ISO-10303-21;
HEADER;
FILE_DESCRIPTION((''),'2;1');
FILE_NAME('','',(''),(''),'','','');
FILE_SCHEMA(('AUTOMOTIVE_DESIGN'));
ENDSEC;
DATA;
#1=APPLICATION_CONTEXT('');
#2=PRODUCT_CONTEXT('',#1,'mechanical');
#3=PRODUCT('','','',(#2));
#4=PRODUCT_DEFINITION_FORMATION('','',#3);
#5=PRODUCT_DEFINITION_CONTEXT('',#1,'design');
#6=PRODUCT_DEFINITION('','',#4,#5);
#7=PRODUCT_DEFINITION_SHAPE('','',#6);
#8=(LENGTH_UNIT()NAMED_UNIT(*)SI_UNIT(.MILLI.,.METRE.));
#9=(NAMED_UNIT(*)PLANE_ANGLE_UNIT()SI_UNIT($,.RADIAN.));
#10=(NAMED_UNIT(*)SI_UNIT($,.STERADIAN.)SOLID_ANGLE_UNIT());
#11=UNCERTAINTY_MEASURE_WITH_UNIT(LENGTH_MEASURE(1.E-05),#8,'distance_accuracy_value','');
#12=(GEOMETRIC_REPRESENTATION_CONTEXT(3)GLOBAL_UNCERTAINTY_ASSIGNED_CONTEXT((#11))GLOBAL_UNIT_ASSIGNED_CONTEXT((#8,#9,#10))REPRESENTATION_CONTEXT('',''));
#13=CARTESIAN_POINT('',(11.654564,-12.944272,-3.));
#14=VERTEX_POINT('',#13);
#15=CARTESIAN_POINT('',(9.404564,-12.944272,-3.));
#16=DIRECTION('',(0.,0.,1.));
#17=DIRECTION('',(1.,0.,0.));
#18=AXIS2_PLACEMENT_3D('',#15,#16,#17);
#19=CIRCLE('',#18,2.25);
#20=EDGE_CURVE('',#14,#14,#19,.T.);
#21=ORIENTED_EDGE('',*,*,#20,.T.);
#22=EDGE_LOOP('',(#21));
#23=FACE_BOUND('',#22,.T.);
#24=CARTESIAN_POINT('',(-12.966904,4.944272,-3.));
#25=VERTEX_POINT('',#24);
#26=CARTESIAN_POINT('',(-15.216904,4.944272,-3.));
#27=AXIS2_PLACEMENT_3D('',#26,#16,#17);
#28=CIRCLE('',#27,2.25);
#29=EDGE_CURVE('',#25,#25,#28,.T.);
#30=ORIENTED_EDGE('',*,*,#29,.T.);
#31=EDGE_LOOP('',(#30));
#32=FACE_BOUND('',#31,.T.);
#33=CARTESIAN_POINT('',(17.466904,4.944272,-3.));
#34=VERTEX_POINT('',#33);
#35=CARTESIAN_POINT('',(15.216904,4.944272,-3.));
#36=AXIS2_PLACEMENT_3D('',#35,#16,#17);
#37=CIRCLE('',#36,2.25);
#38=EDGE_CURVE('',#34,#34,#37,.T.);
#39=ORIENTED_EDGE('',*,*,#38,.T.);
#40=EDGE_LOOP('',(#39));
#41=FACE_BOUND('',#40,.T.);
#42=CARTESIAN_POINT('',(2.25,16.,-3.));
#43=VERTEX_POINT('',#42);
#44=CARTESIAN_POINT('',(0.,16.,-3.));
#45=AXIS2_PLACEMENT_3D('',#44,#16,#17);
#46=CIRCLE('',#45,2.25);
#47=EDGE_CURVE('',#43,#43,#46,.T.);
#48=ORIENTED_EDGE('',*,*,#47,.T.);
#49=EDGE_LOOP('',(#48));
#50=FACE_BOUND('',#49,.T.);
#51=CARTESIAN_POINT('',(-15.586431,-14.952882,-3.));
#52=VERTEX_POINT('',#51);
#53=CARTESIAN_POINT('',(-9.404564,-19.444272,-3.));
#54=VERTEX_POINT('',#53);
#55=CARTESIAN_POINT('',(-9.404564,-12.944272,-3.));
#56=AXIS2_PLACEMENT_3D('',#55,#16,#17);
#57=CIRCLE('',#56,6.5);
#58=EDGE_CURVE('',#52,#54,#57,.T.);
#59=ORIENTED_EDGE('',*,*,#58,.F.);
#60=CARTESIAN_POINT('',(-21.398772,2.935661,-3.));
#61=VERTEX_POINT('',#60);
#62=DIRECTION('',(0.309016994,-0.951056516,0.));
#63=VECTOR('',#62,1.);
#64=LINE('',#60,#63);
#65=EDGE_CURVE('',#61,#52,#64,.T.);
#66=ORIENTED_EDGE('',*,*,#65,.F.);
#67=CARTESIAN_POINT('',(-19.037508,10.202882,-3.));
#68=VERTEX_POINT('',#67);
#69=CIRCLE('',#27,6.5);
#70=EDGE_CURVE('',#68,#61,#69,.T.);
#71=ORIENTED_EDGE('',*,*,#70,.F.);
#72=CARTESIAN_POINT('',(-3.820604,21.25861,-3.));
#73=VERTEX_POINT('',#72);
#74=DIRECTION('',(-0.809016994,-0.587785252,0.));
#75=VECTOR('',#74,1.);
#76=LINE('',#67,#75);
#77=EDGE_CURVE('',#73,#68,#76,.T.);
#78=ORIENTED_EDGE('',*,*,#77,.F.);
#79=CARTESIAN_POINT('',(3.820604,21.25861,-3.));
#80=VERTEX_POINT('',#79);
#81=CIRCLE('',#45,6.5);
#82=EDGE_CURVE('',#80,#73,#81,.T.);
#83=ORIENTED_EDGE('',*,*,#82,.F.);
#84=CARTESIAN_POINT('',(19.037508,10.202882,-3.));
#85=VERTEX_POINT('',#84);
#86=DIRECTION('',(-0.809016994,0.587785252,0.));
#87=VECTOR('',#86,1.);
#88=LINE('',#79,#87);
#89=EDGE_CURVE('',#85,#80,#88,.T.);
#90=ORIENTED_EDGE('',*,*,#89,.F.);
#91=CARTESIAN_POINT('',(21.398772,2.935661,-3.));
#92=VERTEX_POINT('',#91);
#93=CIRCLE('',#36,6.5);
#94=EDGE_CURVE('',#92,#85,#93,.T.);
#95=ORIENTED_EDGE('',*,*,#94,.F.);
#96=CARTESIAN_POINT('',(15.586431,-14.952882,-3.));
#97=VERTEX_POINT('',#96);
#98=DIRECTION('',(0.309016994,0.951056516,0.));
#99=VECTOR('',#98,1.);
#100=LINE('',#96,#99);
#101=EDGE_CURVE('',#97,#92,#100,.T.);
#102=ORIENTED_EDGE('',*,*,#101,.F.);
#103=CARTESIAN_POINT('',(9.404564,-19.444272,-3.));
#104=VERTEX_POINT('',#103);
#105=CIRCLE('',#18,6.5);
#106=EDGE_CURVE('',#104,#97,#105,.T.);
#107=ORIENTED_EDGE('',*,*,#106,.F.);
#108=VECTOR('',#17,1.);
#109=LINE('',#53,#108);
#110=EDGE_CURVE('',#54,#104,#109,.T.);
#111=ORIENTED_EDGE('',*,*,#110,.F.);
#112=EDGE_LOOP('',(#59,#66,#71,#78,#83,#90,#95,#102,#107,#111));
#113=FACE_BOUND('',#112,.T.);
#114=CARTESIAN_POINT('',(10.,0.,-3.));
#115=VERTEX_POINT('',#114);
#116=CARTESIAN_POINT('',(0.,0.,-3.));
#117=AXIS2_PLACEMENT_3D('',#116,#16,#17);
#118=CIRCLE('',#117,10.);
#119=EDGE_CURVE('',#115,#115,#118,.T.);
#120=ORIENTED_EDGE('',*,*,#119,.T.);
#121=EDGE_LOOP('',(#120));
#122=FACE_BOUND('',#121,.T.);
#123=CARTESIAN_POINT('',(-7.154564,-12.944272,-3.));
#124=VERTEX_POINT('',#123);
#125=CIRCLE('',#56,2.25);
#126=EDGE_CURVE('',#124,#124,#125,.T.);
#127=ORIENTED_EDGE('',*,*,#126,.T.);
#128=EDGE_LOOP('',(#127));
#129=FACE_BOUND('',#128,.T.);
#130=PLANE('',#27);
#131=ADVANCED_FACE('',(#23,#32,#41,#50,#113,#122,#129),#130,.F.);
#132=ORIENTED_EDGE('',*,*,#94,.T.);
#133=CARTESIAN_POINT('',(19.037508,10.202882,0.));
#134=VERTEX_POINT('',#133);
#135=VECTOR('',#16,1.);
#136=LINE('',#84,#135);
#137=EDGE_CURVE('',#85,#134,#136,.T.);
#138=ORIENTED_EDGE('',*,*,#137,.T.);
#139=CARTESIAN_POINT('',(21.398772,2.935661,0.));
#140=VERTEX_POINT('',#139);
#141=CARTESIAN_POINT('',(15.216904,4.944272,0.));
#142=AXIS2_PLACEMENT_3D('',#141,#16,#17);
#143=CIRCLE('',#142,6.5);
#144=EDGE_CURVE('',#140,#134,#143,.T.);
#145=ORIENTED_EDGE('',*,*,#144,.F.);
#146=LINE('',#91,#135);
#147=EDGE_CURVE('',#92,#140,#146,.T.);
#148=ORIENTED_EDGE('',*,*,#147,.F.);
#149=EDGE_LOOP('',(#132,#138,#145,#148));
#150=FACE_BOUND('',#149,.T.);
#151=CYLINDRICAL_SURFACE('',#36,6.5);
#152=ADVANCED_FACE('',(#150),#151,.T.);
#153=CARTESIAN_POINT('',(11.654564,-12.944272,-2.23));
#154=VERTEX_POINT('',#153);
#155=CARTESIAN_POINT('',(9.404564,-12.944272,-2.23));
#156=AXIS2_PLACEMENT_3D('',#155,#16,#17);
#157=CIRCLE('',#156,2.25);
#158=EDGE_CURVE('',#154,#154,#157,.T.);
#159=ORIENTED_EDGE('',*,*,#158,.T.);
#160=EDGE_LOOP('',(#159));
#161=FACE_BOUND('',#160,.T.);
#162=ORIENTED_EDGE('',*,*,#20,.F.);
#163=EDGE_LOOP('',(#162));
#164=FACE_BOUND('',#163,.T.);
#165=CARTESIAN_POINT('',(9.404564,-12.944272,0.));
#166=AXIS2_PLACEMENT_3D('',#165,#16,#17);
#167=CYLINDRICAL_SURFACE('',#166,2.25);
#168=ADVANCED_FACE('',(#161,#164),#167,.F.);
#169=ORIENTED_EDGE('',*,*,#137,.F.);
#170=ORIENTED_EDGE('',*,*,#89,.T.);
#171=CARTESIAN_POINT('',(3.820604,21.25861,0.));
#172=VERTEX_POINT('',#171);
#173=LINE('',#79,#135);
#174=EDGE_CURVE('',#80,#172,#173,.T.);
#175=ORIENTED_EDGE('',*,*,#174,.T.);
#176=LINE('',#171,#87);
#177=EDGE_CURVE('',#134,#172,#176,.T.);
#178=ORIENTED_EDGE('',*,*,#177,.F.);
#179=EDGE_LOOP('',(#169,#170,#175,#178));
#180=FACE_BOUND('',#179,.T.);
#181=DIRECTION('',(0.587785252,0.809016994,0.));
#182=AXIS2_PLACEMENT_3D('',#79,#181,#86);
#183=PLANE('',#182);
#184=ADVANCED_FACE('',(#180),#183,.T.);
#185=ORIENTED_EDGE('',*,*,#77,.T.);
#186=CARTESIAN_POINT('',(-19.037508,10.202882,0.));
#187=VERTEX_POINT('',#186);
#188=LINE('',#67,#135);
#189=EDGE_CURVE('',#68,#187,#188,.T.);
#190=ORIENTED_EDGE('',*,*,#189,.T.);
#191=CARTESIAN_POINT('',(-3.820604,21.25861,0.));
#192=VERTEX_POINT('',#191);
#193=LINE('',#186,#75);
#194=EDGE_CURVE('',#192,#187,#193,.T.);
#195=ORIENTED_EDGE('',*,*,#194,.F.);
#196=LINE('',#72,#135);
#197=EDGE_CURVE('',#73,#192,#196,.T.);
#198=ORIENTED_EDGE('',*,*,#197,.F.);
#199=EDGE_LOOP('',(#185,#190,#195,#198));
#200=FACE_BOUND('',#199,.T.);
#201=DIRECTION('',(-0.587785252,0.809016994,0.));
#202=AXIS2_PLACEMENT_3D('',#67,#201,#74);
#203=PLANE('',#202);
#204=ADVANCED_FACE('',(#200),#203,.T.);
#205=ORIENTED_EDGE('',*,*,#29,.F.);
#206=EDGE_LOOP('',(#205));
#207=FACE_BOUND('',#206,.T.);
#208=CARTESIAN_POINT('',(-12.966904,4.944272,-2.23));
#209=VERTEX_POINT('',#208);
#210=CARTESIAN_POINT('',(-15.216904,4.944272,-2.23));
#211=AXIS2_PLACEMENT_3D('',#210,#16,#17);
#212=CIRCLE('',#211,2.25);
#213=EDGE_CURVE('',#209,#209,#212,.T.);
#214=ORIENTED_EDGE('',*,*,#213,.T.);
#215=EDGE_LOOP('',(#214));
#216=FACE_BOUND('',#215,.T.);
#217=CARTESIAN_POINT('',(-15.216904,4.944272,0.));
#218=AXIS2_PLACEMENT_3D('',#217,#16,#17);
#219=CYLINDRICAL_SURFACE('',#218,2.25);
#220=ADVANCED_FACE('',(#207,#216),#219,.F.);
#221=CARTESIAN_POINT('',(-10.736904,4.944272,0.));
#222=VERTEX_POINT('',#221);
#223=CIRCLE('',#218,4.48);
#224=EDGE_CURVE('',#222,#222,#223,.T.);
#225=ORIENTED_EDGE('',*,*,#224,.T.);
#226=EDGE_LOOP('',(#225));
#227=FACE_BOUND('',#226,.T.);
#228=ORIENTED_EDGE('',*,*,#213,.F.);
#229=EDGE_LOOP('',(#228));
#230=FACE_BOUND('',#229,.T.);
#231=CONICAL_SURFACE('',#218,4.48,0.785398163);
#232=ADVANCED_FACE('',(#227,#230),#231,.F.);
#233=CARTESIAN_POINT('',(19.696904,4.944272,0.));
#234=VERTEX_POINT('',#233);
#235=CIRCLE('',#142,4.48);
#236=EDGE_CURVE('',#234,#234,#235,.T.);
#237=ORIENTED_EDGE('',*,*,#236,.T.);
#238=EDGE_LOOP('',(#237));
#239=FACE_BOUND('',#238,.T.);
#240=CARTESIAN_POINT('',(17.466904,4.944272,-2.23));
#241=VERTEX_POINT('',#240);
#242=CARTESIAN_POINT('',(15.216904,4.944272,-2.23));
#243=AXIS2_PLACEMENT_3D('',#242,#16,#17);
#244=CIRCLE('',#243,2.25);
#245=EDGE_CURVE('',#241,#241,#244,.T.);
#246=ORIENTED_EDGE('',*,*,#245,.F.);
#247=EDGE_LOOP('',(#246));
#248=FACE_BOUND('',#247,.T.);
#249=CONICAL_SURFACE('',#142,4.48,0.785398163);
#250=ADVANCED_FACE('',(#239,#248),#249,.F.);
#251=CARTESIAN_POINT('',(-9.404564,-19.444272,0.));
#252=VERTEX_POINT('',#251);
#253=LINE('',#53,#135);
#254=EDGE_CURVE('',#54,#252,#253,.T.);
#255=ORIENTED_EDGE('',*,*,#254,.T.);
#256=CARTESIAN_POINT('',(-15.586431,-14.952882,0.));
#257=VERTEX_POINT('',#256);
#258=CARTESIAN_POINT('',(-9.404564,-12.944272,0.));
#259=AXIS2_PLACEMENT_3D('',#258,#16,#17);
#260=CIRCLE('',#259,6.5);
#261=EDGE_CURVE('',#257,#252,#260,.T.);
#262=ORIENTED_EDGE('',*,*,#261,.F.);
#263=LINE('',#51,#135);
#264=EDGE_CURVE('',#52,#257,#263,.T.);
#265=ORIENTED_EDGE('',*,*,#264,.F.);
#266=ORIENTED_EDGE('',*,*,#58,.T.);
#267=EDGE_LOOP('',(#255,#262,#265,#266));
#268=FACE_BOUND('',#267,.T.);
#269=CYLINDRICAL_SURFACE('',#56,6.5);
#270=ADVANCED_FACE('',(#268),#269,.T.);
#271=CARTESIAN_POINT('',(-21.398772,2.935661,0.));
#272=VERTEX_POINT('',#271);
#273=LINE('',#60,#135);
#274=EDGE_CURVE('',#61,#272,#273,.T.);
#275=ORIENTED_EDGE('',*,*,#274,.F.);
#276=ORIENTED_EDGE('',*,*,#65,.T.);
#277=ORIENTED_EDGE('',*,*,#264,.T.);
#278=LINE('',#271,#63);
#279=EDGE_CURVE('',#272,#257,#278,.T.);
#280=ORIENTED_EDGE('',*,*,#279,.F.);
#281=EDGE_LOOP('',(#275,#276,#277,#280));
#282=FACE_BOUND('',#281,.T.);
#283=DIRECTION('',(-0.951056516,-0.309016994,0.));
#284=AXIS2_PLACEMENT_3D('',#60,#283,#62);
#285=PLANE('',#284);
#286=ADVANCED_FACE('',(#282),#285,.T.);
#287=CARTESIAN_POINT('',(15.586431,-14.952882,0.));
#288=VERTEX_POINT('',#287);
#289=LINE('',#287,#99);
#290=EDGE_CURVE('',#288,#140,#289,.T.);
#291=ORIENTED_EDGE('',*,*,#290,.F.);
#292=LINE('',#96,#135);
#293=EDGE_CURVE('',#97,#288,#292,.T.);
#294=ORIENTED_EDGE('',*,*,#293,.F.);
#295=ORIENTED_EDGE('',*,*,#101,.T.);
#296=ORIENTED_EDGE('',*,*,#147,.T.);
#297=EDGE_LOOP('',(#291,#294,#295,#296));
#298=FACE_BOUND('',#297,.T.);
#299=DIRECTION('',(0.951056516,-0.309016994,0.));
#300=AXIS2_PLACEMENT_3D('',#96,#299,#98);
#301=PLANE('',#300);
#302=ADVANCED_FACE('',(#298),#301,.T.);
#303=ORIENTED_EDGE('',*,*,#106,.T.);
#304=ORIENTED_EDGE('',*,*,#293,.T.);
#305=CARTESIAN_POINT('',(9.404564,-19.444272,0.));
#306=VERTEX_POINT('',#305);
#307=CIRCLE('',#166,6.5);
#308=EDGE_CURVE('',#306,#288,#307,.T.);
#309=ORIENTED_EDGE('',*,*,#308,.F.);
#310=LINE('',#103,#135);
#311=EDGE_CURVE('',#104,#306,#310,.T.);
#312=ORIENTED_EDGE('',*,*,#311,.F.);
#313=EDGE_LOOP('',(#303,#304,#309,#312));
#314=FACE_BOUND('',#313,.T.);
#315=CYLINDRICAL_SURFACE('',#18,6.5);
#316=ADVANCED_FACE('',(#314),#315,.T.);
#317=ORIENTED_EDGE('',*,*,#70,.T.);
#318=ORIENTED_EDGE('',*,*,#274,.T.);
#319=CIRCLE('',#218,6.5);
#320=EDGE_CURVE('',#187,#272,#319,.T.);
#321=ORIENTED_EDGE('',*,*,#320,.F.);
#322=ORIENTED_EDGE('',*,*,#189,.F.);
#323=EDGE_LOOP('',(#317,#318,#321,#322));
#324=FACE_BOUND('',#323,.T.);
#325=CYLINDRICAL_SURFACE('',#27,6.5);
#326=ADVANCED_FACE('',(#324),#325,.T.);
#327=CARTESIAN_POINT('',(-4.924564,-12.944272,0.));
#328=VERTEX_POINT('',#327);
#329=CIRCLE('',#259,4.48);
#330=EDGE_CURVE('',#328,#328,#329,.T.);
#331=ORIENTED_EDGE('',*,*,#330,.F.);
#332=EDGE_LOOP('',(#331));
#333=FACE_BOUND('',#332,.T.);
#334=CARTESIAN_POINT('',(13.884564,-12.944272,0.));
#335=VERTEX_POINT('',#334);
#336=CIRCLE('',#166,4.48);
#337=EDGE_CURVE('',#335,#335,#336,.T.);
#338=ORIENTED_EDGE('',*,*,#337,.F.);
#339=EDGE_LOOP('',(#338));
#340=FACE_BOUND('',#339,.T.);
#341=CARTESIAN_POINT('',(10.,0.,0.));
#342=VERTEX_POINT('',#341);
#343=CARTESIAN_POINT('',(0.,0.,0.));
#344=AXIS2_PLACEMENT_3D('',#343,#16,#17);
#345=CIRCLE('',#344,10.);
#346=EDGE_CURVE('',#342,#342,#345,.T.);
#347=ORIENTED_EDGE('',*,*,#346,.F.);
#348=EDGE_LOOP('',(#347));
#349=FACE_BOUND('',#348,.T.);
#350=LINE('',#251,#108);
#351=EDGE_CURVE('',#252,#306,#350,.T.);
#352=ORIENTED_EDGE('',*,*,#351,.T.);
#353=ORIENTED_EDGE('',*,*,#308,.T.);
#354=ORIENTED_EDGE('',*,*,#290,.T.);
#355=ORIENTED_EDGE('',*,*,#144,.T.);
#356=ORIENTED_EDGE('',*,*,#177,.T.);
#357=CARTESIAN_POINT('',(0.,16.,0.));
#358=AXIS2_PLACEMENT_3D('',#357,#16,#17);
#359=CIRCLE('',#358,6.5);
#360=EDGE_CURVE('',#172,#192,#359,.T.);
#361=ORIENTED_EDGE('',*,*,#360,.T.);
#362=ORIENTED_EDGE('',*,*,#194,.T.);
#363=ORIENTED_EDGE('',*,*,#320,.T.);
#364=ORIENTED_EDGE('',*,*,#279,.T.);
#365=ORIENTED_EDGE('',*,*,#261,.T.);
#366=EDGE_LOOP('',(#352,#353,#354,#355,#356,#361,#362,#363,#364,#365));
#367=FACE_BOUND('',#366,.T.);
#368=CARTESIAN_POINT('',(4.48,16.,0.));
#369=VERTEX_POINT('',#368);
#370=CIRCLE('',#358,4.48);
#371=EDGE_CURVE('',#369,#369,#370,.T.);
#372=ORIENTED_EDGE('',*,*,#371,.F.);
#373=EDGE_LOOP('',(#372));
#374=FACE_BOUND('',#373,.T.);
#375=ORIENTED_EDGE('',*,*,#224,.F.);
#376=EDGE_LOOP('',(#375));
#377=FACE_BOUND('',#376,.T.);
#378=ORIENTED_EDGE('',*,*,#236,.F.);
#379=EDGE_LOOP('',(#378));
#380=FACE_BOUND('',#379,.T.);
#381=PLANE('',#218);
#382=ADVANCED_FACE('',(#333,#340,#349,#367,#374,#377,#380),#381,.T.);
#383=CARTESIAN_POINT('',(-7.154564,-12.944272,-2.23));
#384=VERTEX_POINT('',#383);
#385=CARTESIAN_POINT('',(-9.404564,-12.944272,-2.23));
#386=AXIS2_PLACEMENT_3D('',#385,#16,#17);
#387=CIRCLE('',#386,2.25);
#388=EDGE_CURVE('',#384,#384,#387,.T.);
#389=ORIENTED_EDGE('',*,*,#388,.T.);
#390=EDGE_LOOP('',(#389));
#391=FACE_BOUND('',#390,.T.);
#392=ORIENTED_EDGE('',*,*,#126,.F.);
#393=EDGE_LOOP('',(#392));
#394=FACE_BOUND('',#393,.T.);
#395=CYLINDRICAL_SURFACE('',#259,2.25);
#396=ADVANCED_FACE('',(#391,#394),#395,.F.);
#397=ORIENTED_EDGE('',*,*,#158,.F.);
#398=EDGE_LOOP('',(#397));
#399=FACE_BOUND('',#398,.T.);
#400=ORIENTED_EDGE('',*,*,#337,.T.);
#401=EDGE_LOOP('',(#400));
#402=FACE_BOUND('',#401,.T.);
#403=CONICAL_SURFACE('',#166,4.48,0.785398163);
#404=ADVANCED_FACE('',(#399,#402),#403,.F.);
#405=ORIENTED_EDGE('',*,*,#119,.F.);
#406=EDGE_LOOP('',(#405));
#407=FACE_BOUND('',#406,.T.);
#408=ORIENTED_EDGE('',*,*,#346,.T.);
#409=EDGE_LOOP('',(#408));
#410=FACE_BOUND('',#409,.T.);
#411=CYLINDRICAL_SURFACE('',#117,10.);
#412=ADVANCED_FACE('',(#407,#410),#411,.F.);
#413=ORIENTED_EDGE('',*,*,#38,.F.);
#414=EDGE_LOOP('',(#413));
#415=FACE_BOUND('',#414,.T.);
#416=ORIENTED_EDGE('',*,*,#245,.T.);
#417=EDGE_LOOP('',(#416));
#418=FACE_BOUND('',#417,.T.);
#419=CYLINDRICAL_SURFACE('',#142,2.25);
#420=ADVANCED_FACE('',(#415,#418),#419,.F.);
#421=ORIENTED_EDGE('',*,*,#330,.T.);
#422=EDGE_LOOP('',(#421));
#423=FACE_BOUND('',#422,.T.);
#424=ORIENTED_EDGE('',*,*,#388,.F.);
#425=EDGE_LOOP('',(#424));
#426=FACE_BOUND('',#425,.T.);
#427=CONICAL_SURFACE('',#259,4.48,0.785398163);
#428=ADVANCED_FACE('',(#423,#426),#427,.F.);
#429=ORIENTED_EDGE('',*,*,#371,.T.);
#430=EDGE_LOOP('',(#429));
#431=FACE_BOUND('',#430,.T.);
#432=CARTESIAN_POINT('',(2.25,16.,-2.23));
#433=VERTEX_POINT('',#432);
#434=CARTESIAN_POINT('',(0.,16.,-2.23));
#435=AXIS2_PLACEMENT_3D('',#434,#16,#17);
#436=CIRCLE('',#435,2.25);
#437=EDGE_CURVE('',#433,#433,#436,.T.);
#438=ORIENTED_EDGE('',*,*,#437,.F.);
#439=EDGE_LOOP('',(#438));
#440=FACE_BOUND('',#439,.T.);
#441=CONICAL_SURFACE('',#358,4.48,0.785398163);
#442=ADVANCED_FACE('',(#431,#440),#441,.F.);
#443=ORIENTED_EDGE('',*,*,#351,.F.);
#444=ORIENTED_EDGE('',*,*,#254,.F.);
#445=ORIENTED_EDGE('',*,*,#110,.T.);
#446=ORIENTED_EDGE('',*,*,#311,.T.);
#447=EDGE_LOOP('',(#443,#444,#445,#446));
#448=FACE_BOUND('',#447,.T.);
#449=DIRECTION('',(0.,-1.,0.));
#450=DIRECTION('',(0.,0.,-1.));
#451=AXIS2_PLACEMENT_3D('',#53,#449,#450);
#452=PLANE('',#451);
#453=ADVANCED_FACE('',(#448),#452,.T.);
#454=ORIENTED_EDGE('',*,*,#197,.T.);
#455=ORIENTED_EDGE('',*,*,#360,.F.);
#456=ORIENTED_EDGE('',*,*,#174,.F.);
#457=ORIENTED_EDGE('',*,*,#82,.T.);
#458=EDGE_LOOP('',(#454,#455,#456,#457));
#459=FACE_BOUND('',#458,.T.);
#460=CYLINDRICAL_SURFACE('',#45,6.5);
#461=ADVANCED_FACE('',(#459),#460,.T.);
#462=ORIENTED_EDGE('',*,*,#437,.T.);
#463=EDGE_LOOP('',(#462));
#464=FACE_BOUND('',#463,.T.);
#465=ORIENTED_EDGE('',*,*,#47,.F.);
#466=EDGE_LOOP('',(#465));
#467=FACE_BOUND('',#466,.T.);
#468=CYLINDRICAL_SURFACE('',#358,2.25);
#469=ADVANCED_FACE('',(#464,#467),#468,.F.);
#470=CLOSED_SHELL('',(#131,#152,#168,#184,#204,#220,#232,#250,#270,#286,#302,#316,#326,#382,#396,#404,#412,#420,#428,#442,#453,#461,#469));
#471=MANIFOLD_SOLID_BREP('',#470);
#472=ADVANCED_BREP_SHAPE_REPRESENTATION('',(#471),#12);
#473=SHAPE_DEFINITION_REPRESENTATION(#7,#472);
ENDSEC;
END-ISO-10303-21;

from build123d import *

# Parameters (mm, degrees)
SKETCH1_R                     = 10
BOSS_EXTRUDE1_DEPTH           = 3
CSK_FOR_M4_SFHCS1_D           = 4.5
CSK_FOR_M4_SFHCS1_DEPTH       = 5.1
CSK_FOR_M4_SFHCS1_CSINK_D     = 8.96
CSK_FOR_M4_SFHCS1_CSINK_ANGLE = 90
CSK_FOR_M4_SFHCS1_TIP         = 1.351936393


with BuildPart() as part:
    # Sketch1 → Boss-Extrude1 (new body)
    with BuildSketch(Plane.XY):
        with BuildLine():
            Line((-21.398771617, 2.935661447), (-15.586431393, -14.952882373))
            ThreePointArc((-15.586431393, -14.952882373), (-13.225168177, -18.202882373), (-9.404564037, -19.44427191))
            Line((-9.404564037, -19.44427191), (9.404564037, -19.44427191))
            ThreePointArc((9.404564037, -19.44427191), (13.225168177, -18.202882373), (15.586431393, -14.952882373))
            Line((15.586431393, -14.952882373), (21.398771617, 2.935661447))
            ThreePointArc((21.398771617, 2.935661447), (21.398771617, 6.952882373), (19.037508401, 10.202882373))
            Line((19.037508401, 10.202882373), (3.82060414, 21.258610463))
            ThreePointArc((3.82060414, 21.258610463), (0, 22.5), (-3.82060414, 21.258610463))
            Line((-3.82060414, 21.258610463), (-19.037508401, 10.202882373))
            ThreePointArc((-19.037508401, 10.202882373), (-21.398771617, 6.952882373), (-21.398771617, 2.935661447))
        make_face()
        Circle(SKETCH1_R, mode=Mode.SUBTRACT)
    extrude(amount=-BOSS_EXTRUDE1_DEPTH)

    # CSK for M4 SFHCS1
    with Locations(Plane.XY):
        with Locations((0, 16), (15.216904261, 4.94427191), (9.404564037, -12.94427191), (-9.404564037, -12.94427191), (-15.216904261, 4.94427191)):
            CounterSinkHole(CSK_FOR_M4_SFHCS1_D / 2, CSK_FOR_M4_SFHCS1_CSINK_D / 2, depth=CSK_FOR_M4_SFHCS1_DEPTH, counter_sink_angle=CSK_FOR_M4_SFHCS1_CSINK_ANGLE)
            with Locations((0, 0, -(CSK_FOR_M4_SFHCS1_DEPTH + CSK_FOR_M4_SFHCS1_TIP / 2))):  # 118° drill point
                Cone(0, CSK_FOR_M4_SFHCS1_D / 2, CSK_FOR_M4_SFHCS1_TIP, mode=Mode.SUBTRACT)


solid = part.part
